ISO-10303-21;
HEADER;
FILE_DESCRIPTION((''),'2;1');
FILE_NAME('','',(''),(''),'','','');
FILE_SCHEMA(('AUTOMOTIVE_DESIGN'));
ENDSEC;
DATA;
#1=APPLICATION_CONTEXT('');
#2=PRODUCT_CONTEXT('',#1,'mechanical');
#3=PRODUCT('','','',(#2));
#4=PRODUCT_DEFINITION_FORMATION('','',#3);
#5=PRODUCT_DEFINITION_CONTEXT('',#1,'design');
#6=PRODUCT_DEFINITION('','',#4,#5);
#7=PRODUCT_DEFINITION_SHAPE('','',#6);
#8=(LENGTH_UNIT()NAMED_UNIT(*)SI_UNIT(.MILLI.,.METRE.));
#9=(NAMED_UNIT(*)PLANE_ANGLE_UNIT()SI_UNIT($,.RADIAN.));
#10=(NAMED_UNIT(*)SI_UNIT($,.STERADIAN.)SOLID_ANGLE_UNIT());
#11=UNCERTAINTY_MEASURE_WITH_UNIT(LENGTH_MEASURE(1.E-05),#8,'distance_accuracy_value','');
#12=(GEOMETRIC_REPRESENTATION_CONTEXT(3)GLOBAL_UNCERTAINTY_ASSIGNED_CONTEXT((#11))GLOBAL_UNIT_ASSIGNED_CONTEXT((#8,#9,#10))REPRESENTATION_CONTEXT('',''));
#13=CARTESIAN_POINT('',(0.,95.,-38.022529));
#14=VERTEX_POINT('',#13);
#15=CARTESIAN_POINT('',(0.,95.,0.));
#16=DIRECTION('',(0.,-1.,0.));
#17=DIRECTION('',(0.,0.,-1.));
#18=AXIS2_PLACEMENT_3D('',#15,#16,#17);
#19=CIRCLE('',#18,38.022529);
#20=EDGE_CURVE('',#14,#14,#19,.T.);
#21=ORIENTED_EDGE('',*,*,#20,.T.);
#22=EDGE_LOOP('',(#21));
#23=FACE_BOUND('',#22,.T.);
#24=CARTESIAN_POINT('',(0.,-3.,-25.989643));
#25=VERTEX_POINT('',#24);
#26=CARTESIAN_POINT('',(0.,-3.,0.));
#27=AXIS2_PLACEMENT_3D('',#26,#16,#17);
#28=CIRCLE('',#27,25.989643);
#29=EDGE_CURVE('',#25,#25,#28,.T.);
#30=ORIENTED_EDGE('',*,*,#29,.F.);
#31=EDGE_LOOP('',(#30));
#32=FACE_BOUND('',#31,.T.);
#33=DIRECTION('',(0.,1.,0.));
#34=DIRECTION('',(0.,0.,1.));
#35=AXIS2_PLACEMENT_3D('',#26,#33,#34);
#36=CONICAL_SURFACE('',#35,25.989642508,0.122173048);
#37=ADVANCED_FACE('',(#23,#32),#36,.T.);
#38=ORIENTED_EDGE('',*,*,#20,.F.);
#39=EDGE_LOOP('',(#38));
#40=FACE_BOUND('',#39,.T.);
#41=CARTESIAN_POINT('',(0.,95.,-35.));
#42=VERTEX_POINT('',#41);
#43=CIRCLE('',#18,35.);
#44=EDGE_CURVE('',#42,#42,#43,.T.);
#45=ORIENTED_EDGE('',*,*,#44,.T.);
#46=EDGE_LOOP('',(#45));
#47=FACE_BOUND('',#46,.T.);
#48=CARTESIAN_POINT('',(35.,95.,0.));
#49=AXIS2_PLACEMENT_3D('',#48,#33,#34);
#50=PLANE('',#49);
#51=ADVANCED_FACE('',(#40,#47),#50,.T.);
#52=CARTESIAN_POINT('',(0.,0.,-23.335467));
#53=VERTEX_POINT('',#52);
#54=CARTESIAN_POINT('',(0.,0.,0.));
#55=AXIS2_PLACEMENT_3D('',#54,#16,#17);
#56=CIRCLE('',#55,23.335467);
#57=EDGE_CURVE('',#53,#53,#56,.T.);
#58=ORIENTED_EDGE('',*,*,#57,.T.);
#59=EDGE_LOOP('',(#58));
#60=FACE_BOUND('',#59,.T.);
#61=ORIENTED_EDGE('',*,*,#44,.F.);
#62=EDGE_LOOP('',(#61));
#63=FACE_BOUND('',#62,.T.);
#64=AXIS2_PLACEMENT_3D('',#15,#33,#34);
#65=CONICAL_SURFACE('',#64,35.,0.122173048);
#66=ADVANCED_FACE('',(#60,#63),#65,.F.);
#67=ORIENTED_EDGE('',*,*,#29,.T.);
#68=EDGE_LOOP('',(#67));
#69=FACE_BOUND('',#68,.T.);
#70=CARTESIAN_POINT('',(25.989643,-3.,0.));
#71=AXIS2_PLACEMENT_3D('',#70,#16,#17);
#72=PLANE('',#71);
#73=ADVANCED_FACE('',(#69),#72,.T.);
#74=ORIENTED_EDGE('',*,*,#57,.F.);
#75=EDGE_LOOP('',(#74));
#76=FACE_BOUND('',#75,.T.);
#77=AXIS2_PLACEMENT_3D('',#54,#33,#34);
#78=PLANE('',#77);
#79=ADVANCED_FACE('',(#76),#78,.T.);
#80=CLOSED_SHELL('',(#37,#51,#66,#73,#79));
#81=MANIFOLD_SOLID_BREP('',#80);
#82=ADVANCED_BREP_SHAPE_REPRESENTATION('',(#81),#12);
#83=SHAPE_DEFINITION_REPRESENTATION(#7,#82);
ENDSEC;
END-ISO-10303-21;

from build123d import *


with BuildPart() as part:
    # 草图2 → 旋转1 (revolve)
    with BuildSketch(Plane.XY, mode=Mode.PRIVATE) as revolve_1_sk:
        Polygon((0, 0), (23.335466714, 0), (35, 95), (38.022529476, 95), (25.989642508, -3), (0, -3), align=None)
    revolve(revolve_1_sk.sketch.rotate(Axis((0, 0, 0), (0, 1, 0)), 90), axis=Axis((0, 0, 0), (0, 1, 0)))


solid = part.part
